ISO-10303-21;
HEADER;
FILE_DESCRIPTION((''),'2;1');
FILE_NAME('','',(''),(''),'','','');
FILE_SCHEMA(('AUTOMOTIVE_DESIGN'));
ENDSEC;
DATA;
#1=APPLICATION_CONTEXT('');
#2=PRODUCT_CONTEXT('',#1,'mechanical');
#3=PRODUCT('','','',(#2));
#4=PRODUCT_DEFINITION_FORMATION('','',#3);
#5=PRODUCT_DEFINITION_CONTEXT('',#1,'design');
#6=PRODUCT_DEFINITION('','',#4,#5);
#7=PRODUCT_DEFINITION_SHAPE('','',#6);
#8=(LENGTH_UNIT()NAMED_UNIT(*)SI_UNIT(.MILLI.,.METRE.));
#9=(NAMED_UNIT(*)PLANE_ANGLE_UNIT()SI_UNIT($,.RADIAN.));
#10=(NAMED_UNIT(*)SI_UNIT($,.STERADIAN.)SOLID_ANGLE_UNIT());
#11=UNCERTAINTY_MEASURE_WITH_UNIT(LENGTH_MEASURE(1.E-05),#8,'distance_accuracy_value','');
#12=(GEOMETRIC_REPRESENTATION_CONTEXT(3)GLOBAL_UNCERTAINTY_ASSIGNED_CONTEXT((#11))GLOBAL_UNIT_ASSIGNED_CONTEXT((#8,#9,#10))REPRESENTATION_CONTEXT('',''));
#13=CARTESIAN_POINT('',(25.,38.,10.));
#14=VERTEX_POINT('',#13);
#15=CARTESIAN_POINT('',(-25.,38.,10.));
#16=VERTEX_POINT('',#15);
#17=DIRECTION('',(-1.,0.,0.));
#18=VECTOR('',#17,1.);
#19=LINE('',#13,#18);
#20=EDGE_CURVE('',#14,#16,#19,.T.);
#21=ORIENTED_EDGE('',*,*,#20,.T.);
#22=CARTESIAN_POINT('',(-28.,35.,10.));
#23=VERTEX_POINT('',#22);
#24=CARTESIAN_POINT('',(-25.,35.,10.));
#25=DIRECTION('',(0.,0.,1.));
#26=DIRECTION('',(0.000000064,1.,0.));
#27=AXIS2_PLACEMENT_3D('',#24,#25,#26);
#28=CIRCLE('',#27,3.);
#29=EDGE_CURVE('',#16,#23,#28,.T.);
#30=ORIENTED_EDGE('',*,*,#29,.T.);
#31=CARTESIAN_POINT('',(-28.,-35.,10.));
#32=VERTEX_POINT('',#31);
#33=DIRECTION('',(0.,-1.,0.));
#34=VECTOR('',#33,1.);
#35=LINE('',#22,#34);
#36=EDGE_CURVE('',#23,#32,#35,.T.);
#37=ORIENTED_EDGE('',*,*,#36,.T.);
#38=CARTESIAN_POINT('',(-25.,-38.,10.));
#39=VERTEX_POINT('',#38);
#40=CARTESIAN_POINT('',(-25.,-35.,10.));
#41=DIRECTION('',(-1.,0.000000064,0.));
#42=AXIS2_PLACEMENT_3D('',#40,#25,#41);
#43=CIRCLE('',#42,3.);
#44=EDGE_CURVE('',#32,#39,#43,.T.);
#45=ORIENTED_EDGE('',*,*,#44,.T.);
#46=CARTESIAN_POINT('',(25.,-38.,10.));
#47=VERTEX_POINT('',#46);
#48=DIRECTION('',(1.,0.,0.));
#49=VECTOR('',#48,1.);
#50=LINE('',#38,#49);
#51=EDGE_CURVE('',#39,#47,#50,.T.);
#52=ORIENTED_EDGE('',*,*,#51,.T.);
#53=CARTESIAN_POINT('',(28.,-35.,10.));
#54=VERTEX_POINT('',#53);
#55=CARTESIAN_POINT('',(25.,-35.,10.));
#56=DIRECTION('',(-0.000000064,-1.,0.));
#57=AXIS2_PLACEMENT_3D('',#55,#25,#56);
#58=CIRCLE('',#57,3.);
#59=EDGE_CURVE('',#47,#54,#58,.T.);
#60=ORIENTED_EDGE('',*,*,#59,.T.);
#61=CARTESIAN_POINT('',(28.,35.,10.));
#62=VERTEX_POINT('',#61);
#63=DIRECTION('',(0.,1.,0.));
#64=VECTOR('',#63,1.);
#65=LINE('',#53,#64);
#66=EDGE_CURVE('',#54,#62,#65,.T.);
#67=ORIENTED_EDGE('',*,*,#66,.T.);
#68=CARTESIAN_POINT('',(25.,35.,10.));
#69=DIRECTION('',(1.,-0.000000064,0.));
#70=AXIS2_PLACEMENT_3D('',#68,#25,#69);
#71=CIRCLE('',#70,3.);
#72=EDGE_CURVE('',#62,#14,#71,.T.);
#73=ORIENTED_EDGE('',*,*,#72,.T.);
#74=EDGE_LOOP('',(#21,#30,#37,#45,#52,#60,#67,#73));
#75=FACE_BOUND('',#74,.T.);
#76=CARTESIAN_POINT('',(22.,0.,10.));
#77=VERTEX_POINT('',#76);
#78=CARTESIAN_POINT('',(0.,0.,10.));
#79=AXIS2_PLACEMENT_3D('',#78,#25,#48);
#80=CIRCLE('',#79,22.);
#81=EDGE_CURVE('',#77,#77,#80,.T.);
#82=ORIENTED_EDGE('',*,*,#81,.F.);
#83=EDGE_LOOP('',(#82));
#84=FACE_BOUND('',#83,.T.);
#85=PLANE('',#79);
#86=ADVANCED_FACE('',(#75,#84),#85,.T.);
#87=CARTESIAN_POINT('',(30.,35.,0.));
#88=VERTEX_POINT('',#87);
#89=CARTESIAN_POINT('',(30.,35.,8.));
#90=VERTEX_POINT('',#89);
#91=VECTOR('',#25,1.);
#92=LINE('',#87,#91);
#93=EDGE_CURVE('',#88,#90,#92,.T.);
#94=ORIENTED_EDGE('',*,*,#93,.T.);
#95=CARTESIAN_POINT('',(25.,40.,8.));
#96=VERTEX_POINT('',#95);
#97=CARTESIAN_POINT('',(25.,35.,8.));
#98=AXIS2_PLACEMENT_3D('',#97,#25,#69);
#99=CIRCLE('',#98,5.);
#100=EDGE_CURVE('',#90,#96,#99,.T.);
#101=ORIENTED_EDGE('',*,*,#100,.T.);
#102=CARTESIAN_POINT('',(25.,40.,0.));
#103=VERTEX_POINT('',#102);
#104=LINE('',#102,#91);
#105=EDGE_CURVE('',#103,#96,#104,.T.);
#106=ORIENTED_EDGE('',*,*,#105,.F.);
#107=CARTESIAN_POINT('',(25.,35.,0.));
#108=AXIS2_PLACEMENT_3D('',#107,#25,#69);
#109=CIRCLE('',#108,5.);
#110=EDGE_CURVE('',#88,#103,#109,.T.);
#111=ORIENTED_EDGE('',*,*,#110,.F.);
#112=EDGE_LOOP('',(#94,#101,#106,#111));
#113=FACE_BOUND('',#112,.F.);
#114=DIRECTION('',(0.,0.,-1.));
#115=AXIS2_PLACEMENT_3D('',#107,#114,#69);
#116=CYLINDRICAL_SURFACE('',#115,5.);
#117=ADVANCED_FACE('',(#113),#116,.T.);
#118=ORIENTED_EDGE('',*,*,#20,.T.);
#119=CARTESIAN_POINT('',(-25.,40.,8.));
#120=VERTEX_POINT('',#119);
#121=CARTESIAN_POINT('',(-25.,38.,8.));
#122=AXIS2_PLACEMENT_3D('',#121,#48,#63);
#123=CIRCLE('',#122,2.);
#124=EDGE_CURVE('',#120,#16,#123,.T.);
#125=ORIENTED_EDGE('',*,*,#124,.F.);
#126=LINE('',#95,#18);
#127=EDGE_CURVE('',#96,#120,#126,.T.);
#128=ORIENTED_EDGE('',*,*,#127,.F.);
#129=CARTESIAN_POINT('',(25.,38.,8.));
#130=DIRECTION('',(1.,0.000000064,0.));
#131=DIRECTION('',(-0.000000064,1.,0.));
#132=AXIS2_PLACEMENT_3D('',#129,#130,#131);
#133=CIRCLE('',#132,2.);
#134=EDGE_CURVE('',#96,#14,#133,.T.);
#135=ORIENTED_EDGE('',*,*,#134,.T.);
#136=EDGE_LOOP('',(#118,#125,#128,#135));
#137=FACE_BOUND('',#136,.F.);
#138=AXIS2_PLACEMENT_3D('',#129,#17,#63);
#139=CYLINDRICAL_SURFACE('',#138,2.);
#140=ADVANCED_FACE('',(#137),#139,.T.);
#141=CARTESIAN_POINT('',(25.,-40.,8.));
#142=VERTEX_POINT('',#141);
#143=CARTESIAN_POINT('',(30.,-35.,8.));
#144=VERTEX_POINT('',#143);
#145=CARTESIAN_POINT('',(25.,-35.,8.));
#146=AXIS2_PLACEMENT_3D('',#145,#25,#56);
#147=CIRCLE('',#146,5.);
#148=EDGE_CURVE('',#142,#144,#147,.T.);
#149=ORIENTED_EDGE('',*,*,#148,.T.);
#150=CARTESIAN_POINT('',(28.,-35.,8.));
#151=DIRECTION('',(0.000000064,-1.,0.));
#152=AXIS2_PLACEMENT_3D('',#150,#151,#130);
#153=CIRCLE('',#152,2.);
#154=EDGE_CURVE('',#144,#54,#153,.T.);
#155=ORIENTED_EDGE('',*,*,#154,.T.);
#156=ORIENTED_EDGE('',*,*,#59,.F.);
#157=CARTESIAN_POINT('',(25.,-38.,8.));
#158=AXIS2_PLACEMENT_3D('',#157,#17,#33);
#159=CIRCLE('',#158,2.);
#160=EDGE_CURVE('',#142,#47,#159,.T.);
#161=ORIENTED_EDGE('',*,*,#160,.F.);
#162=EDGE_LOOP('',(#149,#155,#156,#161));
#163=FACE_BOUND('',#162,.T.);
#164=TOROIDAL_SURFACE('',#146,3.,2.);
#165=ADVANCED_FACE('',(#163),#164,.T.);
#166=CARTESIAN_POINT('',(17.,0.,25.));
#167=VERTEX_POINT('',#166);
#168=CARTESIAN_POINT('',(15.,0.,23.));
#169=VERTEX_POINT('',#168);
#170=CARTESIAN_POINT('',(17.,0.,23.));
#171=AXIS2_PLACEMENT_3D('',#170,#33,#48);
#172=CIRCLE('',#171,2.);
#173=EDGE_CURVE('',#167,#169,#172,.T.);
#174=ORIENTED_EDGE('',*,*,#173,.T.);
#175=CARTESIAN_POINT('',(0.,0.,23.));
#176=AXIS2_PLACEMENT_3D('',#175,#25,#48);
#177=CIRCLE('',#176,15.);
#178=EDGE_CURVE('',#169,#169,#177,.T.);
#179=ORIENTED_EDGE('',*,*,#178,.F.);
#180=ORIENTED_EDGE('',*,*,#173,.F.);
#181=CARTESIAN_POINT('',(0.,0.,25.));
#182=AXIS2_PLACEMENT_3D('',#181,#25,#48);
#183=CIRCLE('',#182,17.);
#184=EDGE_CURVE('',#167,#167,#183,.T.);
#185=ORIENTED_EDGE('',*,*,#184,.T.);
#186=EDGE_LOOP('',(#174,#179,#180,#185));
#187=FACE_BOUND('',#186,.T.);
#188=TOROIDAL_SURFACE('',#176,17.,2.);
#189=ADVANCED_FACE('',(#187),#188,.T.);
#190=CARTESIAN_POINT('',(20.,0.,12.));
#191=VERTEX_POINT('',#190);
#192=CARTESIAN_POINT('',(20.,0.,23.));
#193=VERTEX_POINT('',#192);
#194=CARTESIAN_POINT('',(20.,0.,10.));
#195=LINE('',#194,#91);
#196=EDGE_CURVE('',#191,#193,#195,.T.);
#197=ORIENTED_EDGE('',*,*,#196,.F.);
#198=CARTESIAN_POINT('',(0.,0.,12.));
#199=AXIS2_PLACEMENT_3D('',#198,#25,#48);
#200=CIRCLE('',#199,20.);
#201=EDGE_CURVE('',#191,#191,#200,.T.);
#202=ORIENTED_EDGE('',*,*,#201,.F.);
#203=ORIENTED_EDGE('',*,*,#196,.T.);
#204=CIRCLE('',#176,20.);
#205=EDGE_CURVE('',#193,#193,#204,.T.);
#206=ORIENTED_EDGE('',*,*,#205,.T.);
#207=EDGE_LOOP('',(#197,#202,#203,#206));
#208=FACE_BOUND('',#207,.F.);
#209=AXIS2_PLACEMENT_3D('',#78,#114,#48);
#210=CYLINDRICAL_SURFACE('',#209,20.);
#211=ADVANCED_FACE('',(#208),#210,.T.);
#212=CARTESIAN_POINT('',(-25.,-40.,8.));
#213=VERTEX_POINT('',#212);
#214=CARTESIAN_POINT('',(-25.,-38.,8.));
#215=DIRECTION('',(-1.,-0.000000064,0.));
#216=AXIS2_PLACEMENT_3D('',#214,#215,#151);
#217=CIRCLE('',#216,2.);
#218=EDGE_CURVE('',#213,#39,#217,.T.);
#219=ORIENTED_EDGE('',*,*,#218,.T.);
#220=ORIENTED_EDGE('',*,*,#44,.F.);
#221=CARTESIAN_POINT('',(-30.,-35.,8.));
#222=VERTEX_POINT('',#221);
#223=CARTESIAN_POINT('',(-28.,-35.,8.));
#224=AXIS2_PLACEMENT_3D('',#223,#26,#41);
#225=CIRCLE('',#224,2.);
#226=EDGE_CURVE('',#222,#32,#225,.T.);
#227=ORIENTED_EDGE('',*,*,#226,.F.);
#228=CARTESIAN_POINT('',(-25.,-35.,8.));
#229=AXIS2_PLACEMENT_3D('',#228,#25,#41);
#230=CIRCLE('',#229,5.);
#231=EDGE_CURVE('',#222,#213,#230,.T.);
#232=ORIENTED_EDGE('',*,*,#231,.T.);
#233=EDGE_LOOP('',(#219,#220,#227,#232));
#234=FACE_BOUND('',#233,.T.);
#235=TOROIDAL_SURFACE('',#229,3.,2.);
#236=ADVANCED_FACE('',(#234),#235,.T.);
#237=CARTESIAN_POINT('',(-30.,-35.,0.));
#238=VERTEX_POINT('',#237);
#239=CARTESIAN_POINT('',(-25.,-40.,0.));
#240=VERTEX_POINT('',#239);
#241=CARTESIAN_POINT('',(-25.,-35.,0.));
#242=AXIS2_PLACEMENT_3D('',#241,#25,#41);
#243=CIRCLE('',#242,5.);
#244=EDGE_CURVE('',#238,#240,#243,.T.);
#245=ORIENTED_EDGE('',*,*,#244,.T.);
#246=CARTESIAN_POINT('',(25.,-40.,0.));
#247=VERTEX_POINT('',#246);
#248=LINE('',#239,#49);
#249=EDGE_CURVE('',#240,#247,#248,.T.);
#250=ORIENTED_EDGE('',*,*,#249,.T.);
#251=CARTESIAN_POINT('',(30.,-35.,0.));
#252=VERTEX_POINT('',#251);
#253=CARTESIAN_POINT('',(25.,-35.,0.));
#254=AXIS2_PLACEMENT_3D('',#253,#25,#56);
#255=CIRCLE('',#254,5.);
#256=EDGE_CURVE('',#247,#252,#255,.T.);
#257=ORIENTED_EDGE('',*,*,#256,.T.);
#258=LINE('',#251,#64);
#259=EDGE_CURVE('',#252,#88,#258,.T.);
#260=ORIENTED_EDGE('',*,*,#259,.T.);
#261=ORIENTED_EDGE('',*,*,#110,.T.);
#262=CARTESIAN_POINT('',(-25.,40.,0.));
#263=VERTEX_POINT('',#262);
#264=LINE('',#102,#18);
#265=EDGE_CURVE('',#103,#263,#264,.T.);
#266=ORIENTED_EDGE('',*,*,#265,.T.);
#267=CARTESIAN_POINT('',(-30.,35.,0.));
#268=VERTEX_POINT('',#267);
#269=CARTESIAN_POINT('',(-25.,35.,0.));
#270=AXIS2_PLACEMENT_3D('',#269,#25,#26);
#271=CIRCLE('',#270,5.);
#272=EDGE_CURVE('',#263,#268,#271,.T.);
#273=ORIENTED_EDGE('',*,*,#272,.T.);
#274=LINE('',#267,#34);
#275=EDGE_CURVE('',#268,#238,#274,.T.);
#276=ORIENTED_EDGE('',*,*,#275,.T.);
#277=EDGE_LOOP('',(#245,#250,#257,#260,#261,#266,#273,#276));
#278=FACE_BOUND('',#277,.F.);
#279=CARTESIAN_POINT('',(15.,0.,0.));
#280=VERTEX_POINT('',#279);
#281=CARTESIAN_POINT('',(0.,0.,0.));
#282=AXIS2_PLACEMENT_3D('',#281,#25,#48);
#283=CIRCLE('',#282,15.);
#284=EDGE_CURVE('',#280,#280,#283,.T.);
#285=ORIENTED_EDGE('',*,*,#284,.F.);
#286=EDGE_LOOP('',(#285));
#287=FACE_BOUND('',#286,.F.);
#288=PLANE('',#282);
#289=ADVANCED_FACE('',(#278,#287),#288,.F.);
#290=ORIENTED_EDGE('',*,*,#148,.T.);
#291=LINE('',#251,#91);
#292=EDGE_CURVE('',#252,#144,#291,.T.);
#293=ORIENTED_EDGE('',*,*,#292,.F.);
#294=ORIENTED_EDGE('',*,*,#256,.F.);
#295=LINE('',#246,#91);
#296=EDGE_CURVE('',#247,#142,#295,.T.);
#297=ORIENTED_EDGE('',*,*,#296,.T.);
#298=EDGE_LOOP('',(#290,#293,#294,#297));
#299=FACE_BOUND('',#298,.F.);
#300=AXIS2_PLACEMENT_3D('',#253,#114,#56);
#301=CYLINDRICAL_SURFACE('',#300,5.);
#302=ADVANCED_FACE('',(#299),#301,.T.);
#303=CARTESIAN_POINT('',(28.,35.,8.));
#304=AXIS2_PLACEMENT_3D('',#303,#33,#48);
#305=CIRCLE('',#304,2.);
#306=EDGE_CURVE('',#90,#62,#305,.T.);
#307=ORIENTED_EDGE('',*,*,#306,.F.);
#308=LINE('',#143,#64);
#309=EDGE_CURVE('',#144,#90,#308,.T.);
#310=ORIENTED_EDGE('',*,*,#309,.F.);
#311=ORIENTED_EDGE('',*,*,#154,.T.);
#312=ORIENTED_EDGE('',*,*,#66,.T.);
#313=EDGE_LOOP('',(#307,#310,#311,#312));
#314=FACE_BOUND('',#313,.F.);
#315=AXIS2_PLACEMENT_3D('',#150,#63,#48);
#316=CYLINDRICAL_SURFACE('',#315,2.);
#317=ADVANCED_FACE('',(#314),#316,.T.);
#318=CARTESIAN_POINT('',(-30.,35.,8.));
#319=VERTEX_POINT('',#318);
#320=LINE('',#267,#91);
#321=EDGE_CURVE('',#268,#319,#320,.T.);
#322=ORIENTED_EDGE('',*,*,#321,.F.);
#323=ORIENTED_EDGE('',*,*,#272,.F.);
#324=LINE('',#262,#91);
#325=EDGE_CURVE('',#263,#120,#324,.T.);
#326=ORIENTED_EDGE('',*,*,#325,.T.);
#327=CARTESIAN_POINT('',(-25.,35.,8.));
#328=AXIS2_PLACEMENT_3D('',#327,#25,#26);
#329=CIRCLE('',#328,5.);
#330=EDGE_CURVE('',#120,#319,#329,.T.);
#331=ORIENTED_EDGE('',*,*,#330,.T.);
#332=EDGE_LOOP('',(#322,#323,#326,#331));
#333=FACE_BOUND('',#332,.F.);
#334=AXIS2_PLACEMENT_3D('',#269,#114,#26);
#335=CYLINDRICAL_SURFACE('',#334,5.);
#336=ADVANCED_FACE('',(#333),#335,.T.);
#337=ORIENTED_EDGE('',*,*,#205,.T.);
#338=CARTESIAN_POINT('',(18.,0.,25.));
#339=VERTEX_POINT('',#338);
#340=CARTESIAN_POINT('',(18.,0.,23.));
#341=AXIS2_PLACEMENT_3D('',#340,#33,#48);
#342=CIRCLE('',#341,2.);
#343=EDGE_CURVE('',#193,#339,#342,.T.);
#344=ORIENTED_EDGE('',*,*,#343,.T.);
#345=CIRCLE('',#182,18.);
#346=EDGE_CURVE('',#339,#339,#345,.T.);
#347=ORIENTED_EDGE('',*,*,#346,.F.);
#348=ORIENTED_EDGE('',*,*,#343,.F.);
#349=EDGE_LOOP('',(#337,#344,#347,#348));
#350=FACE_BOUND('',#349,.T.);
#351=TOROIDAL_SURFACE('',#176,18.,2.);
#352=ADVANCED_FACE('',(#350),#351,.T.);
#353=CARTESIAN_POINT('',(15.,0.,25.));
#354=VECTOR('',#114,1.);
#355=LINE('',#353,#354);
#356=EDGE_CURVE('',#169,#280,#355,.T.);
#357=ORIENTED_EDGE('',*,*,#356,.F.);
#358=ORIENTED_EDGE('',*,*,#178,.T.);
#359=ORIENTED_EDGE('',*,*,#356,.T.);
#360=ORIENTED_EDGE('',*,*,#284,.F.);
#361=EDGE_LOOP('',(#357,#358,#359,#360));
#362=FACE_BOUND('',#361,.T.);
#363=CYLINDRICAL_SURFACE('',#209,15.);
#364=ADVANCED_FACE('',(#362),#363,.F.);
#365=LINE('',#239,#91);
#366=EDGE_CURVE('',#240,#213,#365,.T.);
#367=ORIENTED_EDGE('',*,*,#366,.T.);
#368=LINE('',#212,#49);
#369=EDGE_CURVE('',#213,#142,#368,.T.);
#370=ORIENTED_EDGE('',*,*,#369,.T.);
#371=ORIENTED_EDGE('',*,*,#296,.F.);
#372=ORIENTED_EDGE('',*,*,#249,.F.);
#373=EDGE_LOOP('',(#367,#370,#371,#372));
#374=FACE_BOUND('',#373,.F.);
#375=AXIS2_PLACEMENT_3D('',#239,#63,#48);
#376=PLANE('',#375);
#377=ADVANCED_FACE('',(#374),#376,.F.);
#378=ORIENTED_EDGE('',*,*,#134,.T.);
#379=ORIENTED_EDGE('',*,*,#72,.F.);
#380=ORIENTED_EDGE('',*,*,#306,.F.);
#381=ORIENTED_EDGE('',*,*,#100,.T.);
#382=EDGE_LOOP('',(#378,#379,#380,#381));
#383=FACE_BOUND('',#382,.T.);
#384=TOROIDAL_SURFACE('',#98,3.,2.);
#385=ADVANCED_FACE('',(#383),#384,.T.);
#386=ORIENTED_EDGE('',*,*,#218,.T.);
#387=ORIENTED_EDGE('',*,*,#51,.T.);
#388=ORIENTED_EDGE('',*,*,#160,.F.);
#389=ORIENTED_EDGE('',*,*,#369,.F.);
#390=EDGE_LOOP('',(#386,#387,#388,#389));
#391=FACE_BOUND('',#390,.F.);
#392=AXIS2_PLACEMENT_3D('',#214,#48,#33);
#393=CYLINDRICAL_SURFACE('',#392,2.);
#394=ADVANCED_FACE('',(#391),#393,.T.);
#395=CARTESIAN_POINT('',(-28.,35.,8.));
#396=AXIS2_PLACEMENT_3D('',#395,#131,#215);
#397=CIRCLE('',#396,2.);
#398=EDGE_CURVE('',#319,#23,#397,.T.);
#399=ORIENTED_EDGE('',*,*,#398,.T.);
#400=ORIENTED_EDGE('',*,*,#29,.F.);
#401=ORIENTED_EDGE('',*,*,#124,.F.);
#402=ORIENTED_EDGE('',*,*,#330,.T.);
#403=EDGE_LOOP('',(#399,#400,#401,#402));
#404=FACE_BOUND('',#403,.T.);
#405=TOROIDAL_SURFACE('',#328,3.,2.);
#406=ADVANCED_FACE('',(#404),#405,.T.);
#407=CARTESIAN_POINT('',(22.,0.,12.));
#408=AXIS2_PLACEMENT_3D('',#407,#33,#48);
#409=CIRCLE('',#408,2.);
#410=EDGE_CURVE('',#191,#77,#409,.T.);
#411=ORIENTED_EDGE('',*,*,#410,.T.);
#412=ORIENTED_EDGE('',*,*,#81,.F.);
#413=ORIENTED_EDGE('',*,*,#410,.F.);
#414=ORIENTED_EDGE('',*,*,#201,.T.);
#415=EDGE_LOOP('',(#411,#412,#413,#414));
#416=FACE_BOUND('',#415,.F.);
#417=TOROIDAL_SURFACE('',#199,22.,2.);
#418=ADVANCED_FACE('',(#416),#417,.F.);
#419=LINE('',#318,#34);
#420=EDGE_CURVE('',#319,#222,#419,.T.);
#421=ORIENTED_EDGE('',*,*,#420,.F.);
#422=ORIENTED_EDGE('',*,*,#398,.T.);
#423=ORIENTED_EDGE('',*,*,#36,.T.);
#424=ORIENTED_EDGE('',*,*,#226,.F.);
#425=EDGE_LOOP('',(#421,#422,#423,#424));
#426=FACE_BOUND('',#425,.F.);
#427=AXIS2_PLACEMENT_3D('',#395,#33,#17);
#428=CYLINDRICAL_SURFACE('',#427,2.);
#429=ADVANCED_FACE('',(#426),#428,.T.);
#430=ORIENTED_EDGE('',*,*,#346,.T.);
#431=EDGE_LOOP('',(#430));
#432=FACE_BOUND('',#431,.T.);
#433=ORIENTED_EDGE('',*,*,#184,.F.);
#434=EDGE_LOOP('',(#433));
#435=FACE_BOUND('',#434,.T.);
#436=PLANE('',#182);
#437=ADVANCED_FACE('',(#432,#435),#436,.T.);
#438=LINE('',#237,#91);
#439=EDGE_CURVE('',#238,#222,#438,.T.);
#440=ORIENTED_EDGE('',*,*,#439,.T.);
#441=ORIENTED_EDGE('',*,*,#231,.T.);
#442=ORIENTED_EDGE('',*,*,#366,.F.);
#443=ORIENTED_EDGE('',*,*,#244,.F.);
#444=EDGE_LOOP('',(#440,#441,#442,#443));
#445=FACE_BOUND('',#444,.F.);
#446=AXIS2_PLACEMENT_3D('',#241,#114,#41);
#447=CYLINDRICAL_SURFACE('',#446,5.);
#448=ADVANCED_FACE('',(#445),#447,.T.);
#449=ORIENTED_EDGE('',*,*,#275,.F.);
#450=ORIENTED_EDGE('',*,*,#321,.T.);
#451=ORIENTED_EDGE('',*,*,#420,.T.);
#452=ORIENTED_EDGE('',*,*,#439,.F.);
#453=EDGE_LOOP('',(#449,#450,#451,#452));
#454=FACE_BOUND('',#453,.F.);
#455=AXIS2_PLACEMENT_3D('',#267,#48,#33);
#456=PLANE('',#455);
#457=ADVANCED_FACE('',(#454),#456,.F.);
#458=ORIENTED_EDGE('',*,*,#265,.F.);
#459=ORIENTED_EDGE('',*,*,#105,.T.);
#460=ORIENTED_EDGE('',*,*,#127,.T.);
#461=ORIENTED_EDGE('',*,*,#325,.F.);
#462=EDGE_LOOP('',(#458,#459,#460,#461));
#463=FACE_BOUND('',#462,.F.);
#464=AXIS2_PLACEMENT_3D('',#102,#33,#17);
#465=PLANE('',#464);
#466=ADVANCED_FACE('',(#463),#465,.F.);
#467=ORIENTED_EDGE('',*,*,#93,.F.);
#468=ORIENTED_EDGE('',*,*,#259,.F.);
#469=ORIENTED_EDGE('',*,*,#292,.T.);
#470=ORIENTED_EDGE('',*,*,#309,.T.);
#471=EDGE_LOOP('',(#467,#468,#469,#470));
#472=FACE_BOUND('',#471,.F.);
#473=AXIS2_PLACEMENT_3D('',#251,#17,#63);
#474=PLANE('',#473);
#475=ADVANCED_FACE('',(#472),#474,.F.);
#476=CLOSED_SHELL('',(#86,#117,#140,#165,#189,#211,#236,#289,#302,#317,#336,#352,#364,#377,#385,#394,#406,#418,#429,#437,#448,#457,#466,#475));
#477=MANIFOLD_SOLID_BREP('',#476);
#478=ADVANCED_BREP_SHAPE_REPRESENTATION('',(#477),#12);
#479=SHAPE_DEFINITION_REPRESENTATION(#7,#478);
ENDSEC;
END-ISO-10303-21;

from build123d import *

# Parameters (mm, degrees)
F0_R     = 15
F1_DEPTH = 10
F2_R     = 20
F2_R_2   = 15
F3_DEPTH = 15
F4_R     = 2


with BuildPart() as f1:
    # F0 (on Top) → F1 (new body)
    with BuildSketch(Plane.XY):
        with BuildLine():
            Line((-25, -40), (25, -40))
            ThreePointArc((25, -40), (28.535534, -38.535534), (30, -35))
            Line((30, -35), (30, 35))
            ThreePointArc((30, 35), (28.535534, 38.535534), (25, 40))
            Line((25, 40), (-25, 40))
            ThreePointArc((-25, 40), (-28.535534, 38.535534), (-30, 35))
            Line((-30, 35), (-30, -35))
            ThreePointArc((-30, -35), (-28.535534, -38.535534), (-25, -40))
        make_face()
        Circle(F0_R, mode=Mode.SUBTRACT)
    extrude(amount=F1_DEPTH)

    # F2 (on face) → F3 (join)
    with BuildSketch(Plane.XY.offset(10)):
        Circle(F2_R)
        Circle(F2_R_2, mode=Mode.SUBTRACT)
    extrude(amount=F3_DEPTH)

    # F4
    f4_edges = [f1.edges().sort_by_distance(p)[0] for p in [
        (-20, 0, 25),
        (-15, 0, 25),
        (-28.535534, -38.535534, 10),
        (-30, 0, 10),
        (0, -40, 10),
        (-28.535534, 38.535534, 10),
        (28.535534, -38.535534, 10),
        (0, 40, 10),
        (30, 0, 10),
        (28.535534, 38.535534, 10),
        (-20, 0, 10),
    ]]
    fillet(f4_edges, radius=F4_R)


solid = f1.part
